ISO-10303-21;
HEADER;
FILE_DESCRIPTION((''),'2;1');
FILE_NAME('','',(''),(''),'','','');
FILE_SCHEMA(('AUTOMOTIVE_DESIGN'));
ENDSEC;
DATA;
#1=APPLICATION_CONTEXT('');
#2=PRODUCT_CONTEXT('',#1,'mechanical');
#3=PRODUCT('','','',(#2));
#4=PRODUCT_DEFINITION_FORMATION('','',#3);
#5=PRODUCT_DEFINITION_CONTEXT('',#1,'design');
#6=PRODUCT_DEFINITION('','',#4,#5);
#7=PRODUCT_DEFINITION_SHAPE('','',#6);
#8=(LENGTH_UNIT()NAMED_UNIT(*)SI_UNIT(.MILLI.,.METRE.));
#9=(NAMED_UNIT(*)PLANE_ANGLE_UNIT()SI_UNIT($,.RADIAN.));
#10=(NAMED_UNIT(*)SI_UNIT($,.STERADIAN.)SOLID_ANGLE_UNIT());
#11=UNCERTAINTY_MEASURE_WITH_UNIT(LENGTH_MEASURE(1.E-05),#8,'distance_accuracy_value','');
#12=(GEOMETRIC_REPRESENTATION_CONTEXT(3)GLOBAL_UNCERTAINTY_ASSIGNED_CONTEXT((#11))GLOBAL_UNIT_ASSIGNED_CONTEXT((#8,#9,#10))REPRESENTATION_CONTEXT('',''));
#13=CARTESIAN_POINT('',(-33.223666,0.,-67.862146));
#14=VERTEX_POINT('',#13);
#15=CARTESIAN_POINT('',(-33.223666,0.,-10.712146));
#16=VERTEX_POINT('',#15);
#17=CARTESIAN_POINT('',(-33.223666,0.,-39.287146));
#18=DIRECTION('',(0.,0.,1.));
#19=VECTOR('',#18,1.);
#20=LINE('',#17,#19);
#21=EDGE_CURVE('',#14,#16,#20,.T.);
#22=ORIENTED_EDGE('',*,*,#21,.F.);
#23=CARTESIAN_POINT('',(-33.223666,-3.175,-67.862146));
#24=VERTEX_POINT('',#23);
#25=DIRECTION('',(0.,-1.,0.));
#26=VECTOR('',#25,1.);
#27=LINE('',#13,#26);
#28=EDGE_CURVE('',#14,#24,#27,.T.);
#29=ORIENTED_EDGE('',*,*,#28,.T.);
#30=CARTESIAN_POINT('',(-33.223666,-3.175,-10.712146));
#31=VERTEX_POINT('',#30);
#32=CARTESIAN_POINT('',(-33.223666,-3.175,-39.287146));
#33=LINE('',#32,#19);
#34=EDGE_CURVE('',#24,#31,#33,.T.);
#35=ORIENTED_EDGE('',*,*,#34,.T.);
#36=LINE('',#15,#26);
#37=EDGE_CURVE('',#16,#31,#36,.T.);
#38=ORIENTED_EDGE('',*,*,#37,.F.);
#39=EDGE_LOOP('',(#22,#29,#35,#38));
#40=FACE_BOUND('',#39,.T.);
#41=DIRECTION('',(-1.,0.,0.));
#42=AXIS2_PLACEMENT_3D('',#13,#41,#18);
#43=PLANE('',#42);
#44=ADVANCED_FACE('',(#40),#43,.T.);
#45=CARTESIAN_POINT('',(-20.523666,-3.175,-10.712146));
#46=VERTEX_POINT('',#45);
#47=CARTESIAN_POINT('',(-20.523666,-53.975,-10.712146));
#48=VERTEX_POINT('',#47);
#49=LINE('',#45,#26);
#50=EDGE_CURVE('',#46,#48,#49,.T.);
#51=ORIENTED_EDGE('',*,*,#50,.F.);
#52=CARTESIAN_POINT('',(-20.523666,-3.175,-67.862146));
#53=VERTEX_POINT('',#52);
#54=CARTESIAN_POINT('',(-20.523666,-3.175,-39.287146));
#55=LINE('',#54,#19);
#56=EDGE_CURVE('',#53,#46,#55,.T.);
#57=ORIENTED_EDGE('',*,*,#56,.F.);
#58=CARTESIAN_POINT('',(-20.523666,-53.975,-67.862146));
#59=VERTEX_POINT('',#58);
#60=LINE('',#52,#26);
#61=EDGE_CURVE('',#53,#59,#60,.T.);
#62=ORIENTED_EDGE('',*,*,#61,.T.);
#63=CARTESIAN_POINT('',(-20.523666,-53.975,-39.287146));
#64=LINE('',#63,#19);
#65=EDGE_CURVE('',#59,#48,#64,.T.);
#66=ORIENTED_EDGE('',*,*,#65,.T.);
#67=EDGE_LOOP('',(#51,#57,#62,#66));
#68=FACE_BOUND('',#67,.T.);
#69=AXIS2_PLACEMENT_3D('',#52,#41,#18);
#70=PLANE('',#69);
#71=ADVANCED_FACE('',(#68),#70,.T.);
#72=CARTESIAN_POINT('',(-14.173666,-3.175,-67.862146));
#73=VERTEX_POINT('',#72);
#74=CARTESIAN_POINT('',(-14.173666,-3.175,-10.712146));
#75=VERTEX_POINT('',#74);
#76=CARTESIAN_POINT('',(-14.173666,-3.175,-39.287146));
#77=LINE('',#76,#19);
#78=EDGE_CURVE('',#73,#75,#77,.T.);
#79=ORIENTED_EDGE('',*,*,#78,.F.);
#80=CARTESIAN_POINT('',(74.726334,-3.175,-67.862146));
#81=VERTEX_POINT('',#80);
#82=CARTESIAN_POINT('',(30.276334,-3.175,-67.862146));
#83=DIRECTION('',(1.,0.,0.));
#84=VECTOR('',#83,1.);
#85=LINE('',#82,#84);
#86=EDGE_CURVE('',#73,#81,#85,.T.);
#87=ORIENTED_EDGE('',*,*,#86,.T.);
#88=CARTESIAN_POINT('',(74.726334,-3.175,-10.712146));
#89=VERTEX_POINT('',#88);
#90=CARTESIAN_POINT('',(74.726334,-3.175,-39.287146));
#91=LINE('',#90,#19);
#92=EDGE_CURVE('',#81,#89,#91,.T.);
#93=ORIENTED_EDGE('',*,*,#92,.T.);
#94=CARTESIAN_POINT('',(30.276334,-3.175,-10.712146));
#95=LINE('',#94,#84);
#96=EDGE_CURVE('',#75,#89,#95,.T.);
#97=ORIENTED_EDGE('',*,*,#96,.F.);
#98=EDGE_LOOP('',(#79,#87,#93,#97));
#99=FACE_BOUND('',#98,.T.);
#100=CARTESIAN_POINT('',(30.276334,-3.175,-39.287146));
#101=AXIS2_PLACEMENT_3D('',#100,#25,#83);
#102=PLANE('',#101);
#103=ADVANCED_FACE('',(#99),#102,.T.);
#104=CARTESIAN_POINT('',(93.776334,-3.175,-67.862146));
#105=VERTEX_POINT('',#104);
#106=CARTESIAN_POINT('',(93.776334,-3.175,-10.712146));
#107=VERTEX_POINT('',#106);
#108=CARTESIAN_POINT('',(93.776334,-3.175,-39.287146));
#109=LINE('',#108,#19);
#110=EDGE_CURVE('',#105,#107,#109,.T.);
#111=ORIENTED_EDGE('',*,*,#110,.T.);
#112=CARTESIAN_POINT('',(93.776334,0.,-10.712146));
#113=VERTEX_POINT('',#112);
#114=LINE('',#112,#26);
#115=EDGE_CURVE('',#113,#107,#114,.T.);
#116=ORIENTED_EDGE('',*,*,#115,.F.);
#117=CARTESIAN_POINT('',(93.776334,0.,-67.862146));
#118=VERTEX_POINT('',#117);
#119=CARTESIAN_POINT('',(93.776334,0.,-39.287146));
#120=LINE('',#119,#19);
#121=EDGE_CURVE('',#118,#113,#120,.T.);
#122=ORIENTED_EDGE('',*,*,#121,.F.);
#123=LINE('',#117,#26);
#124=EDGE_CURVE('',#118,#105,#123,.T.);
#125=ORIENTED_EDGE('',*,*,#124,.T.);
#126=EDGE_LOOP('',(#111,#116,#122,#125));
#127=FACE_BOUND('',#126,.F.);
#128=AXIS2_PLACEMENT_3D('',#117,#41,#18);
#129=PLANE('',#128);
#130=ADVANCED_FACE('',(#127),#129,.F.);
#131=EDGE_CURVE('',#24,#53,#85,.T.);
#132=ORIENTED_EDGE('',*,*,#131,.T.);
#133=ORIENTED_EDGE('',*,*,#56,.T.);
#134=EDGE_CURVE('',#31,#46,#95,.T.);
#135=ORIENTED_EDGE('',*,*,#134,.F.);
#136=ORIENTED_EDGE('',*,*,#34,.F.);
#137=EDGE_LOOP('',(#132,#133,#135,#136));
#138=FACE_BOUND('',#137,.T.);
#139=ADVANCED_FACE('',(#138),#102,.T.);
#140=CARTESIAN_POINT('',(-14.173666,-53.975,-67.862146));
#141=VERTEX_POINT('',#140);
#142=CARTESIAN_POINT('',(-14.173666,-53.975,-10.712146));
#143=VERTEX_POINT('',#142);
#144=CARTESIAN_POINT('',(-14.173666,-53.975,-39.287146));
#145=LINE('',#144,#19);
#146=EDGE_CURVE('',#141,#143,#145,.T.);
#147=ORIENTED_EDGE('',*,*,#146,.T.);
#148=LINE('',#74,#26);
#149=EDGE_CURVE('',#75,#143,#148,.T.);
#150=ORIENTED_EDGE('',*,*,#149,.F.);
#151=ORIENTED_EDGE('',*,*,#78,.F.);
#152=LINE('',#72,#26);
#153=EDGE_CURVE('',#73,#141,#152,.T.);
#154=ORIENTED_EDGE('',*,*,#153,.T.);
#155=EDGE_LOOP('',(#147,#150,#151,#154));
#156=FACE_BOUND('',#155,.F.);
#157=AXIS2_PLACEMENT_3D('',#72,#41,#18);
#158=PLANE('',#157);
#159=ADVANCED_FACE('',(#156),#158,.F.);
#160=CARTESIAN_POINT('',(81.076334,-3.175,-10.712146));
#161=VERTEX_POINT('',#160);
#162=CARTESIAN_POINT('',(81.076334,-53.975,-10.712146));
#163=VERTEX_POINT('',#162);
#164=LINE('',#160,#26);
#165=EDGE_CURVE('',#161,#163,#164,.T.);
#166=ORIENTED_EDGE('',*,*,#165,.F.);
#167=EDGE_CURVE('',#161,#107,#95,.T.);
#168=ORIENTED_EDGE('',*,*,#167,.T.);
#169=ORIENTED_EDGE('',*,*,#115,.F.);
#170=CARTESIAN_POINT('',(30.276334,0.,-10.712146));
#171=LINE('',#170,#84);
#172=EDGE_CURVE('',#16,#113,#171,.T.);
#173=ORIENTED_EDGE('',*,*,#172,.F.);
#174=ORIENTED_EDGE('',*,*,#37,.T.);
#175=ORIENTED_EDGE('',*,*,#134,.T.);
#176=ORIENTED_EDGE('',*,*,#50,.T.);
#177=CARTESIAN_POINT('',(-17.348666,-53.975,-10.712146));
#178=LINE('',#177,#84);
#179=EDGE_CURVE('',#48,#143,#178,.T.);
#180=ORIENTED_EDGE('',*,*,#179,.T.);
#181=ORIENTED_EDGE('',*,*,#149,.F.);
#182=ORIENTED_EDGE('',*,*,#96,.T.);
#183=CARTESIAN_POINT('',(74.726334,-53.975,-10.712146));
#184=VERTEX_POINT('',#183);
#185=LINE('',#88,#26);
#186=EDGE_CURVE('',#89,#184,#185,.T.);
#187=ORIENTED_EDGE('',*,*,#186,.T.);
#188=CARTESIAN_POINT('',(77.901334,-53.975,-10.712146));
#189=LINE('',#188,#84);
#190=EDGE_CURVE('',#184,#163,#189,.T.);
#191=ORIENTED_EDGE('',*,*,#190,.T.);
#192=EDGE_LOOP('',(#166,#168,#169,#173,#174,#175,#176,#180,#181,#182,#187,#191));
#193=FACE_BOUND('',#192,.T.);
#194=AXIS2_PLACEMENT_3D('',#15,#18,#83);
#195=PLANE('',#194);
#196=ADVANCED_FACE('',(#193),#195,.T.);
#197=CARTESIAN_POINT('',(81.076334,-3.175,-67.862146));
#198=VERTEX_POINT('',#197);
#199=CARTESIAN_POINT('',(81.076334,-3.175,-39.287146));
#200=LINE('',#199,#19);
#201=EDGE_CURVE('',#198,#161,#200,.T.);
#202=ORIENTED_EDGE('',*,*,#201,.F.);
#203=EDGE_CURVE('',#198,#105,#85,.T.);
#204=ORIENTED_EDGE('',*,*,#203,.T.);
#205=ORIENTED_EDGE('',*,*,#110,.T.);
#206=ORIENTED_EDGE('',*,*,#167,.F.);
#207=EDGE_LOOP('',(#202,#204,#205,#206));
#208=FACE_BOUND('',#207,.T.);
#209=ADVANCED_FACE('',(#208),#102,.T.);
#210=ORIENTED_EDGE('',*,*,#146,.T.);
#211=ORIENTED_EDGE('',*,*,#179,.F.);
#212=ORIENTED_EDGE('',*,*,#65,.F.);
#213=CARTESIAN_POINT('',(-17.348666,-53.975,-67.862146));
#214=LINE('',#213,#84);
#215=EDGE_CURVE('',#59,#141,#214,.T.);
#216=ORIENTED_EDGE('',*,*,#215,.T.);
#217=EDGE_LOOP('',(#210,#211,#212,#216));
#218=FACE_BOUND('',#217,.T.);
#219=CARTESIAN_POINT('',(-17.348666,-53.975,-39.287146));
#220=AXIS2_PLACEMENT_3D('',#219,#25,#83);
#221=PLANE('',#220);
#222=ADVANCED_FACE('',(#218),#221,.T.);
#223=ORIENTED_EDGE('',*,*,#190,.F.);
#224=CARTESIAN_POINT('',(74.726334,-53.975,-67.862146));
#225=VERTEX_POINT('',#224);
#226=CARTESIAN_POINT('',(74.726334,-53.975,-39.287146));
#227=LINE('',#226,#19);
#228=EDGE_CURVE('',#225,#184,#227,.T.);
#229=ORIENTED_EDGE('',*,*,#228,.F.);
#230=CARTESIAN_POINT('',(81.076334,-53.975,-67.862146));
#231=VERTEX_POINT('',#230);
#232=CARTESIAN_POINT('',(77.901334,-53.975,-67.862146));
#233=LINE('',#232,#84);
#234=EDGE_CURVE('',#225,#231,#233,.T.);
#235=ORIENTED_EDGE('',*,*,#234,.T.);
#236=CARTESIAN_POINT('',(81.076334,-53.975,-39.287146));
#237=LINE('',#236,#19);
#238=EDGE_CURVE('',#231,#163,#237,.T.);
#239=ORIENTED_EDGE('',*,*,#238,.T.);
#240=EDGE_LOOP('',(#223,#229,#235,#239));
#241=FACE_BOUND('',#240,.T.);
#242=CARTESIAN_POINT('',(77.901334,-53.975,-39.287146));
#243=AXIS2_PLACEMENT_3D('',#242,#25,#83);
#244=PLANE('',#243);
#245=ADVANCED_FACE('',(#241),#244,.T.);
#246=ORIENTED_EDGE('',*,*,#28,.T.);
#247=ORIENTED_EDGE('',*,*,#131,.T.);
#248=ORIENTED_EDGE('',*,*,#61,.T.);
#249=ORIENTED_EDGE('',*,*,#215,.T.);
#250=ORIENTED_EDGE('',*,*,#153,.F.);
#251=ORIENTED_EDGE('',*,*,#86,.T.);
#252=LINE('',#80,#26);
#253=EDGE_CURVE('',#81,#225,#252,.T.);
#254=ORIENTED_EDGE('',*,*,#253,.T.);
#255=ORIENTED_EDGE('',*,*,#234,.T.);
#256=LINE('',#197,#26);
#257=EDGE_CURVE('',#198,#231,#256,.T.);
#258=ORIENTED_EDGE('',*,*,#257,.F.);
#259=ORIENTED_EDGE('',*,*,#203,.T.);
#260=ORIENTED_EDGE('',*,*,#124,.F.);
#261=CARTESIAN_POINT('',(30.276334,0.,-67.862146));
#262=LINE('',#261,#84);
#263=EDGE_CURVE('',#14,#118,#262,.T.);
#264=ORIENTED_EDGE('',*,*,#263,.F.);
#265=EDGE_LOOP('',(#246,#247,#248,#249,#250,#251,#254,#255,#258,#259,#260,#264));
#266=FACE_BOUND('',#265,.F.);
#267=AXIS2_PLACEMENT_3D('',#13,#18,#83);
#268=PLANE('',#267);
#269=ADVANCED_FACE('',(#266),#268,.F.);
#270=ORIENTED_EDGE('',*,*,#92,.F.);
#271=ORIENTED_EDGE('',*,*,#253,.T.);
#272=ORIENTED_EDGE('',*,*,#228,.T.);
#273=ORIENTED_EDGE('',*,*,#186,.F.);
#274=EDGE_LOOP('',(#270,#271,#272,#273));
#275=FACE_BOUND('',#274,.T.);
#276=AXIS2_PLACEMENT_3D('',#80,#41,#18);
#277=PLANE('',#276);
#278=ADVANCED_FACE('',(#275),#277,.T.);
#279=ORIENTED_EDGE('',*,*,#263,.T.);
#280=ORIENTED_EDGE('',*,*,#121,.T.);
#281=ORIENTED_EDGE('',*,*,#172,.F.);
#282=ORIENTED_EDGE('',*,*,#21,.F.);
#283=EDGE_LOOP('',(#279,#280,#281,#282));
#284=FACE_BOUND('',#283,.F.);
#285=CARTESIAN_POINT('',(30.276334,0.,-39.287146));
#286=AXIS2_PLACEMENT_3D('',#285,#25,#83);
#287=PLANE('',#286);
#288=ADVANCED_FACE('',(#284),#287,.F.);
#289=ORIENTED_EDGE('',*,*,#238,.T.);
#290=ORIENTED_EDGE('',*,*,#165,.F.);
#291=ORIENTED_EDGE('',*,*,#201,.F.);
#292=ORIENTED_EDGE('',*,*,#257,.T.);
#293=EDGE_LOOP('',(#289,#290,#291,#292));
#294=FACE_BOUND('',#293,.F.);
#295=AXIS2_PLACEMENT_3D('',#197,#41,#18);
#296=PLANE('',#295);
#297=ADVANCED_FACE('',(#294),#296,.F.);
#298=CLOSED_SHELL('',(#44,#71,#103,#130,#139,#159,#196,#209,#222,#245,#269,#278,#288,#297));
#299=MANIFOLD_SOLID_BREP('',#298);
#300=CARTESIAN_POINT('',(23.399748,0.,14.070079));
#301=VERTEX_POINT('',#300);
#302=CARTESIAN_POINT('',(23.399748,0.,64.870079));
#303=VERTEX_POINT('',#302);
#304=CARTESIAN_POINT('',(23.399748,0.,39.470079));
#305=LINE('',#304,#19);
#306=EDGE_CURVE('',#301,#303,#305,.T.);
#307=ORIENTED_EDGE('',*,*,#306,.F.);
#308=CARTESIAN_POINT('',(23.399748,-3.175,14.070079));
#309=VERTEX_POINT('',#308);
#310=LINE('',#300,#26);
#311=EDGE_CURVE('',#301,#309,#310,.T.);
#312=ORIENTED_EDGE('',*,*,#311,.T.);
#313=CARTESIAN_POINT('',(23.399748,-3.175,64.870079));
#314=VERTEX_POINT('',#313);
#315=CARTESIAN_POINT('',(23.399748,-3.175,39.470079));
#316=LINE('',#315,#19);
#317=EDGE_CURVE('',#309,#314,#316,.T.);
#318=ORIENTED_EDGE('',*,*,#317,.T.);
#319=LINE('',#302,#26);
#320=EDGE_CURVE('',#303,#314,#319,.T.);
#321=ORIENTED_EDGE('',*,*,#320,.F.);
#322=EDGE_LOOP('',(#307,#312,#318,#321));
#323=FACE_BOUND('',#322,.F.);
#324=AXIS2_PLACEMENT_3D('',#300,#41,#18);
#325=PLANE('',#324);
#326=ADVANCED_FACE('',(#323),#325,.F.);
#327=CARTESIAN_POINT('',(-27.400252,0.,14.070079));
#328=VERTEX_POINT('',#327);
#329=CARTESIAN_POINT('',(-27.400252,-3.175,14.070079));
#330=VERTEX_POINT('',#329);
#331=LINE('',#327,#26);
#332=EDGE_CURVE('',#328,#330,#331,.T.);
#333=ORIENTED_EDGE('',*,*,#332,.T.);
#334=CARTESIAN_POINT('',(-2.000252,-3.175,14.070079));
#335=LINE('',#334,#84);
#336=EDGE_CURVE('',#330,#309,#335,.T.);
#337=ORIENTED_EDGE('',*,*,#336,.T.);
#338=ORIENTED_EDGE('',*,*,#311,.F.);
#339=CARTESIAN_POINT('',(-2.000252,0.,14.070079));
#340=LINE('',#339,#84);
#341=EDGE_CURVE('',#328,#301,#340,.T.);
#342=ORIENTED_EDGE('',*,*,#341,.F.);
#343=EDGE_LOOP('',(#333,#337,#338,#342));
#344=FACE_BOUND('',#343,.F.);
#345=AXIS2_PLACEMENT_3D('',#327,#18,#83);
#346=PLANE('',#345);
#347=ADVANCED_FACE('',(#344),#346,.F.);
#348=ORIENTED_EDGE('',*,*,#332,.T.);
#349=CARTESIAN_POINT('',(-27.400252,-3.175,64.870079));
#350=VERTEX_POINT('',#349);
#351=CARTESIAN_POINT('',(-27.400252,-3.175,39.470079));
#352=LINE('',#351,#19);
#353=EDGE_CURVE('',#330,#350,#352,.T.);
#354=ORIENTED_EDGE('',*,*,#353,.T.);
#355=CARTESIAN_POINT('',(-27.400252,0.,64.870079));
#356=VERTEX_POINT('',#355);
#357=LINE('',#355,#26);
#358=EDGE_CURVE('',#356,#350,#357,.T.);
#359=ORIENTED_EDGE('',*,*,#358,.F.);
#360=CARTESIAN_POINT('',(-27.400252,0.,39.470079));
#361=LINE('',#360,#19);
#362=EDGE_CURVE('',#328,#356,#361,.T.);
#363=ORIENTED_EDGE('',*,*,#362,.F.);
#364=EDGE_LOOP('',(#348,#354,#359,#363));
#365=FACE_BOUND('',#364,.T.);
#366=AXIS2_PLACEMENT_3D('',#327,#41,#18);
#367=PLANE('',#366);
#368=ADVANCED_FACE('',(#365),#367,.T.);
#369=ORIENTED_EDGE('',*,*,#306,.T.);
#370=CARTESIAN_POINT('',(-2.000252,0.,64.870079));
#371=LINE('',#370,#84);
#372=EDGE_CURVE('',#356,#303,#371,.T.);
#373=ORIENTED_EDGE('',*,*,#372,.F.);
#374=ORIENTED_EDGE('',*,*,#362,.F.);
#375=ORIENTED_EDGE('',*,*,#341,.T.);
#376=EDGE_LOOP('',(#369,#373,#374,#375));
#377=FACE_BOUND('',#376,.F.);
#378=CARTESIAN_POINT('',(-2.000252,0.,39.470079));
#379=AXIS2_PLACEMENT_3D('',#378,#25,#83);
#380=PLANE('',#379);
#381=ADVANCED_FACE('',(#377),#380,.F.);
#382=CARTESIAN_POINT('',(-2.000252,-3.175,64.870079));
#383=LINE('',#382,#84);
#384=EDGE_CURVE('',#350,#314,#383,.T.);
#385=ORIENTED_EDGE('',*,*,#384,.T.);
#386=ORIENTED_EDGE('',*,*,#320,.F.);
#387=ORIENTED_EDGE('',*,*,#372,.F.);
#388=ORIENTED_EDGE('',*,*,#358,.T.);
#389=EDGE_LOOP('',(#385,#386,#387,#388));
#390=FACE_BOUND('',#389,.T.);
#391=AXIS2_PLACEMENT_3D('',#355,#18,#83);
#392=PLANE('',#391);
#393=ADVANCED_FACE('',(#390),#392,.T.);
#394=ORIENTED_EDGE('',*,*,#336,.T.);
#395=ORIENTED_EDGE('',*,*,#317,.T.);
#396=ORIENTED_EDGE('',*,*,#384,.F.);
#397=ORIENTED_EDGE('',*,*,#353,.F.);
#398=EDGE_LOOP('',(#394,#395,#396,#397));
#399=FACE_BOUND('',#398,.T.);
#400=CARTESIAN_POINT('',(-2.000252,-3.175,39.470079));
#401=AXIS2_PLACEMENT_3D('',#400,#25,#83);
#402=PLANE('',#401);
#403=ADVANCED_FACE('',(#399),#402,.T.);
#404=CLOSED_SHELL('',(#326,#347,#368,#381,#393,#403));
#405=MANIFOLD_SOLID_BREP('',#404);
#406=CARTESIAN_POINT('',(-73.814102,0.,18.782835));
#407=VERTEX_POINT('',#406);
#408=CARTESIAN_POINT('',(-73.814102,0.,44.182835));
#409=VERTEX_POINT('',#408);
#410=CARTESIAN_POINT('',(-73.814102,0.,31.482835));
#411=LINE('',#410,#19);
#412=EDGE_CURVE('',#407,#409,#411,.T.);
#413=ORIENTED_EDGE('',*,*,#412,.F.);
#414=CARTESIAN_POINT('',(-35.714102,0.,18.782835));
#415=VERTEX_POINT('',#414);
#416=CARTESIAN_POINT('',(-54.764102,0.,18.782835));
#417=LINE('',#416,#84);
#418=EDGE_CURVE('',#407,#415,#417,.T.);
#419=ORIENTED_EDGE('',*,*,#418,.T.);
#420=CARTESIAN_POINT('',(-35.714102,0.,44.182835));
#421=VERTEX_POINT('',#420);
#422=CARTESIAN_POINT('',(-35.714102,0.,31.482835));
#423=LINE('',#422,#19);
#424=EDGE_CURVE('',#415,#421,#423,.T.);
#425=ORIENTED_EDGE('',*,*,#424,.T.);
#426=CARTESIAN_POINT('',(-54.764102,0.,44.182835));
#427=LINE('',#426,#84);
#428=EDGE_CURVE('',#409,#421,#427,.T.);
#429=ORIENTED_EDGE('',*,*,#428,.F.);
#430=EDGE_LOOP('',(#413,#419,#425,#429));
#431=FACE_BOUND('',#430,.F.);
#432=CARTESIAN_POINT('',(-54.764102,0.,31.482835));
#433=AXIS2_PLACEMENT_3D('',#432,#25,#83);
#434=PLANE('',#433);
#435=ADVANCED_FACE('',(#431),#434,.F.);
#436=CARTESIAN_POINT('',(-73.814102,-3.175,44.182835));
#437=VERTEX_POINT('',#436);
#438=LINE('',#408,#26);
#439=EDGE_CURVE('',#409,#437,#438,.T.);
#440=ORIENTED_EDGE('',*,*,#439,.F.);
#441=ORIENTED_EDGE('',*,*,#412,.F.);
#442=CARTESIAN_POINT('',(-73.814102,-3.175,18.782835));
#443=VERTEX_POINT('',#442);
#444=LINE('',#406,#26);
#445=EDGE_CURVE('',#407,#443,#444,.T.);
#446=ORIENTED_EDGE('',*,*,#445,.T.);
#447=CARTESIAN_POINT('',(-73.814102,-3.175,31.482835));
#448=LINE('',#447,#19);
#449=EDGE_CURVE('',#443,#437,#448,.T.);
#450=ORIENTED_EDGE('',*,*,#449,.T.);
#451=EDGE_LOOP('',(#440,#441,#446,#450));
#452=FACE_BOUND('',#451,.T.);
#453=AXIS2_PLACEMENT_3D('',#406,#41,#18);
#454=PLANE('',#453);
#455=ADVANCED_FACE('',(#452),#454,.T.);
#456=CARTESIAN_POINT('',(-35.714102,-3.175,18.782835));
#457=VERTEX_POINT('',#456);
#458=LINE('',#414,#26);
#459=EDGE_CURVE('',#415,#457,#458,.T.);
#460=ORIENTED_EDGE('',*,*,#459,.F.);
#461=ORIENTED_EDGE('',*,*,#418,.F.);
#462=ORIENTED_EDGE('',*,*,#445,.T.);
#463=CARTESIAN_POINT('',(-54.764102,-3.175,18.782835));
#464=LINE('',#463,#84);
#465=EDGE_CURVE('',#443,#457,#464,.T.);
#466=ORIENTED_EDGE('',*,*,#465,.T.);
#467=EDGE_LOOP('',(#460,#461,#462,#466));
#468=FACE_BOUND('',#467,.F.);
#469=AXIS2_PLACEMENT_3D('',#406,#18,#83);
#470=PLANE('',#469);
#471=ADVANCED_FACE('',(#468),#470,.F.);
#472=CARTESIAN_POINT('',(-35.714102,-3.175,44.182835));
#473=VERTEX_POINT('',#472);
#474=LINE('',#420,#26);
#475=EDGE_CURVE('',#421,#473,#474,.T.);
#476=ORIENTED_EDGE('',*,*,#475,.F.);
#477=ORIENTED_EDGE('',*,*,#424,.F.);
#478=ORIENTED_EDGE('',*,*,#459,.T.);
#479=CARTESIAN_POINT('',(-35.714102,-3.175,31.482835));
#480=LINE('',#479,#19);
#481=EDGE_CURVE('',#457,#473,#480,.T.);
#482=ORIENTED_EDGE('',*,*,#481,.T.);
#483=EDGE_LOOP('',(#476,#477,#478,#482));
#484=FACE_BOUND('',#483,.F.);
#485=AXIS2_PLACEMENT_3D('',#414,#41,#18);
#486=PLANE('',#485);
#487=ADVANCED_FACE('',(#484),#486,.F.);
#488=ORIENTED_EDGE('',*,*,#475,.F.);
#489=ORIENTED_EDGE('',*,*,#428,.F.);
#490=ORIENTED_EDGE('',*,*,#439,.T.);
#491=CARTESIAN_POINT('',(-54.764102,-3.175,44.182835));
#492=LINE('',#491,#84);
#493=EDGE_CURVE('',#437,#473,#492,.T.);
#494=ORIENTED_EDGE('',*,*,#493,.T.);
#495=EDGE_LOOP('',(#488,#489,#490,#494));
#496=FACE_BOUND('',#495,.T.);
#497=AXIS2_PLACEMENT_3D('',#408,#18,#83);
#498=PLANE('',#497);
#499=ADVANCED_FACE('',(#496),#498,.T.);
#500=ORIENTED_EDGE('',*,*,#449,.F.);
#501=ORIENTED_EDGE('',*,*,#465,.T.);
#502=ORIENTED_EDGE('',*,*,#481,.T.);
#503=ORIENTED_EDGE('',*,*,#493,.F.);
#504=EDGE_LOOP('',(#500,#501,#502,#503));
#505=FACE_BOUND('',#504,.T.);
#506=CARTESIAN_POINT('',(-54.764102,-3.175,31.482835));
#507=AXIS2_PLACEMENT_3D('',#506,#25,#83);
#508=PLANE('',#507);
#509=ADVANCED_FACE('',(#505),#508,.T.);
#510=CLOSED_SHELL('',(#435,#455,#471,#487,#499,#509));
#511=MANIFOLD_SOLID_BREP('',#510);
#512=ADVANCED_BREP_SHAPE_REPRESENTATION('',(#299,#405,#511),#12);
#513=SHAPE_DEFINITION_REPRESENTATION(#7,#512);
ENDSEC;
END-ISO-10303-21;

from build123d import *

# Parameters (mm, degrees)
F0_W     = 38.1
F0_H     = 25.4
F0_W_2   = 50.8
F0_H_2   = 50.8
F0_W_3   = 127
F0_H_3   = 57.15
F1_DEPTH = 3.175
F2_W     = 6.35
F2_H     = 57.15
F3_DEPTH = 50.8


with BuildPart() as f1:
    # F0 (on Front) → F1 (new body)
    with BuildSketch(Plane.XZ):
        with Locations((-54.764102, 31.482835)):
            Rectangle(F0_W, F0_H)
        with Locations((-2.000252, 39.470079)):
            Rectangle(F0_W_2, F0_H_2)
        with Locations((30.276334, -39.287146)):
            Rectangle(F0_W_3, F0_H_3)
    extrude(amount=F1_DEPTH)

    # F2 (on face) → F3 (join)
    with BuildSketch(Plane.XZ.offset(3.175)):
        with Locations((-17.348666, -39.287146)):
            Rectangle(F2_W, F2_H)
        with Locations((77.901334, -39.287146)):
            Rectangle(F2_W, F2_H)
    extrude(amount=F3_DEPTH)


solid = f1.part
